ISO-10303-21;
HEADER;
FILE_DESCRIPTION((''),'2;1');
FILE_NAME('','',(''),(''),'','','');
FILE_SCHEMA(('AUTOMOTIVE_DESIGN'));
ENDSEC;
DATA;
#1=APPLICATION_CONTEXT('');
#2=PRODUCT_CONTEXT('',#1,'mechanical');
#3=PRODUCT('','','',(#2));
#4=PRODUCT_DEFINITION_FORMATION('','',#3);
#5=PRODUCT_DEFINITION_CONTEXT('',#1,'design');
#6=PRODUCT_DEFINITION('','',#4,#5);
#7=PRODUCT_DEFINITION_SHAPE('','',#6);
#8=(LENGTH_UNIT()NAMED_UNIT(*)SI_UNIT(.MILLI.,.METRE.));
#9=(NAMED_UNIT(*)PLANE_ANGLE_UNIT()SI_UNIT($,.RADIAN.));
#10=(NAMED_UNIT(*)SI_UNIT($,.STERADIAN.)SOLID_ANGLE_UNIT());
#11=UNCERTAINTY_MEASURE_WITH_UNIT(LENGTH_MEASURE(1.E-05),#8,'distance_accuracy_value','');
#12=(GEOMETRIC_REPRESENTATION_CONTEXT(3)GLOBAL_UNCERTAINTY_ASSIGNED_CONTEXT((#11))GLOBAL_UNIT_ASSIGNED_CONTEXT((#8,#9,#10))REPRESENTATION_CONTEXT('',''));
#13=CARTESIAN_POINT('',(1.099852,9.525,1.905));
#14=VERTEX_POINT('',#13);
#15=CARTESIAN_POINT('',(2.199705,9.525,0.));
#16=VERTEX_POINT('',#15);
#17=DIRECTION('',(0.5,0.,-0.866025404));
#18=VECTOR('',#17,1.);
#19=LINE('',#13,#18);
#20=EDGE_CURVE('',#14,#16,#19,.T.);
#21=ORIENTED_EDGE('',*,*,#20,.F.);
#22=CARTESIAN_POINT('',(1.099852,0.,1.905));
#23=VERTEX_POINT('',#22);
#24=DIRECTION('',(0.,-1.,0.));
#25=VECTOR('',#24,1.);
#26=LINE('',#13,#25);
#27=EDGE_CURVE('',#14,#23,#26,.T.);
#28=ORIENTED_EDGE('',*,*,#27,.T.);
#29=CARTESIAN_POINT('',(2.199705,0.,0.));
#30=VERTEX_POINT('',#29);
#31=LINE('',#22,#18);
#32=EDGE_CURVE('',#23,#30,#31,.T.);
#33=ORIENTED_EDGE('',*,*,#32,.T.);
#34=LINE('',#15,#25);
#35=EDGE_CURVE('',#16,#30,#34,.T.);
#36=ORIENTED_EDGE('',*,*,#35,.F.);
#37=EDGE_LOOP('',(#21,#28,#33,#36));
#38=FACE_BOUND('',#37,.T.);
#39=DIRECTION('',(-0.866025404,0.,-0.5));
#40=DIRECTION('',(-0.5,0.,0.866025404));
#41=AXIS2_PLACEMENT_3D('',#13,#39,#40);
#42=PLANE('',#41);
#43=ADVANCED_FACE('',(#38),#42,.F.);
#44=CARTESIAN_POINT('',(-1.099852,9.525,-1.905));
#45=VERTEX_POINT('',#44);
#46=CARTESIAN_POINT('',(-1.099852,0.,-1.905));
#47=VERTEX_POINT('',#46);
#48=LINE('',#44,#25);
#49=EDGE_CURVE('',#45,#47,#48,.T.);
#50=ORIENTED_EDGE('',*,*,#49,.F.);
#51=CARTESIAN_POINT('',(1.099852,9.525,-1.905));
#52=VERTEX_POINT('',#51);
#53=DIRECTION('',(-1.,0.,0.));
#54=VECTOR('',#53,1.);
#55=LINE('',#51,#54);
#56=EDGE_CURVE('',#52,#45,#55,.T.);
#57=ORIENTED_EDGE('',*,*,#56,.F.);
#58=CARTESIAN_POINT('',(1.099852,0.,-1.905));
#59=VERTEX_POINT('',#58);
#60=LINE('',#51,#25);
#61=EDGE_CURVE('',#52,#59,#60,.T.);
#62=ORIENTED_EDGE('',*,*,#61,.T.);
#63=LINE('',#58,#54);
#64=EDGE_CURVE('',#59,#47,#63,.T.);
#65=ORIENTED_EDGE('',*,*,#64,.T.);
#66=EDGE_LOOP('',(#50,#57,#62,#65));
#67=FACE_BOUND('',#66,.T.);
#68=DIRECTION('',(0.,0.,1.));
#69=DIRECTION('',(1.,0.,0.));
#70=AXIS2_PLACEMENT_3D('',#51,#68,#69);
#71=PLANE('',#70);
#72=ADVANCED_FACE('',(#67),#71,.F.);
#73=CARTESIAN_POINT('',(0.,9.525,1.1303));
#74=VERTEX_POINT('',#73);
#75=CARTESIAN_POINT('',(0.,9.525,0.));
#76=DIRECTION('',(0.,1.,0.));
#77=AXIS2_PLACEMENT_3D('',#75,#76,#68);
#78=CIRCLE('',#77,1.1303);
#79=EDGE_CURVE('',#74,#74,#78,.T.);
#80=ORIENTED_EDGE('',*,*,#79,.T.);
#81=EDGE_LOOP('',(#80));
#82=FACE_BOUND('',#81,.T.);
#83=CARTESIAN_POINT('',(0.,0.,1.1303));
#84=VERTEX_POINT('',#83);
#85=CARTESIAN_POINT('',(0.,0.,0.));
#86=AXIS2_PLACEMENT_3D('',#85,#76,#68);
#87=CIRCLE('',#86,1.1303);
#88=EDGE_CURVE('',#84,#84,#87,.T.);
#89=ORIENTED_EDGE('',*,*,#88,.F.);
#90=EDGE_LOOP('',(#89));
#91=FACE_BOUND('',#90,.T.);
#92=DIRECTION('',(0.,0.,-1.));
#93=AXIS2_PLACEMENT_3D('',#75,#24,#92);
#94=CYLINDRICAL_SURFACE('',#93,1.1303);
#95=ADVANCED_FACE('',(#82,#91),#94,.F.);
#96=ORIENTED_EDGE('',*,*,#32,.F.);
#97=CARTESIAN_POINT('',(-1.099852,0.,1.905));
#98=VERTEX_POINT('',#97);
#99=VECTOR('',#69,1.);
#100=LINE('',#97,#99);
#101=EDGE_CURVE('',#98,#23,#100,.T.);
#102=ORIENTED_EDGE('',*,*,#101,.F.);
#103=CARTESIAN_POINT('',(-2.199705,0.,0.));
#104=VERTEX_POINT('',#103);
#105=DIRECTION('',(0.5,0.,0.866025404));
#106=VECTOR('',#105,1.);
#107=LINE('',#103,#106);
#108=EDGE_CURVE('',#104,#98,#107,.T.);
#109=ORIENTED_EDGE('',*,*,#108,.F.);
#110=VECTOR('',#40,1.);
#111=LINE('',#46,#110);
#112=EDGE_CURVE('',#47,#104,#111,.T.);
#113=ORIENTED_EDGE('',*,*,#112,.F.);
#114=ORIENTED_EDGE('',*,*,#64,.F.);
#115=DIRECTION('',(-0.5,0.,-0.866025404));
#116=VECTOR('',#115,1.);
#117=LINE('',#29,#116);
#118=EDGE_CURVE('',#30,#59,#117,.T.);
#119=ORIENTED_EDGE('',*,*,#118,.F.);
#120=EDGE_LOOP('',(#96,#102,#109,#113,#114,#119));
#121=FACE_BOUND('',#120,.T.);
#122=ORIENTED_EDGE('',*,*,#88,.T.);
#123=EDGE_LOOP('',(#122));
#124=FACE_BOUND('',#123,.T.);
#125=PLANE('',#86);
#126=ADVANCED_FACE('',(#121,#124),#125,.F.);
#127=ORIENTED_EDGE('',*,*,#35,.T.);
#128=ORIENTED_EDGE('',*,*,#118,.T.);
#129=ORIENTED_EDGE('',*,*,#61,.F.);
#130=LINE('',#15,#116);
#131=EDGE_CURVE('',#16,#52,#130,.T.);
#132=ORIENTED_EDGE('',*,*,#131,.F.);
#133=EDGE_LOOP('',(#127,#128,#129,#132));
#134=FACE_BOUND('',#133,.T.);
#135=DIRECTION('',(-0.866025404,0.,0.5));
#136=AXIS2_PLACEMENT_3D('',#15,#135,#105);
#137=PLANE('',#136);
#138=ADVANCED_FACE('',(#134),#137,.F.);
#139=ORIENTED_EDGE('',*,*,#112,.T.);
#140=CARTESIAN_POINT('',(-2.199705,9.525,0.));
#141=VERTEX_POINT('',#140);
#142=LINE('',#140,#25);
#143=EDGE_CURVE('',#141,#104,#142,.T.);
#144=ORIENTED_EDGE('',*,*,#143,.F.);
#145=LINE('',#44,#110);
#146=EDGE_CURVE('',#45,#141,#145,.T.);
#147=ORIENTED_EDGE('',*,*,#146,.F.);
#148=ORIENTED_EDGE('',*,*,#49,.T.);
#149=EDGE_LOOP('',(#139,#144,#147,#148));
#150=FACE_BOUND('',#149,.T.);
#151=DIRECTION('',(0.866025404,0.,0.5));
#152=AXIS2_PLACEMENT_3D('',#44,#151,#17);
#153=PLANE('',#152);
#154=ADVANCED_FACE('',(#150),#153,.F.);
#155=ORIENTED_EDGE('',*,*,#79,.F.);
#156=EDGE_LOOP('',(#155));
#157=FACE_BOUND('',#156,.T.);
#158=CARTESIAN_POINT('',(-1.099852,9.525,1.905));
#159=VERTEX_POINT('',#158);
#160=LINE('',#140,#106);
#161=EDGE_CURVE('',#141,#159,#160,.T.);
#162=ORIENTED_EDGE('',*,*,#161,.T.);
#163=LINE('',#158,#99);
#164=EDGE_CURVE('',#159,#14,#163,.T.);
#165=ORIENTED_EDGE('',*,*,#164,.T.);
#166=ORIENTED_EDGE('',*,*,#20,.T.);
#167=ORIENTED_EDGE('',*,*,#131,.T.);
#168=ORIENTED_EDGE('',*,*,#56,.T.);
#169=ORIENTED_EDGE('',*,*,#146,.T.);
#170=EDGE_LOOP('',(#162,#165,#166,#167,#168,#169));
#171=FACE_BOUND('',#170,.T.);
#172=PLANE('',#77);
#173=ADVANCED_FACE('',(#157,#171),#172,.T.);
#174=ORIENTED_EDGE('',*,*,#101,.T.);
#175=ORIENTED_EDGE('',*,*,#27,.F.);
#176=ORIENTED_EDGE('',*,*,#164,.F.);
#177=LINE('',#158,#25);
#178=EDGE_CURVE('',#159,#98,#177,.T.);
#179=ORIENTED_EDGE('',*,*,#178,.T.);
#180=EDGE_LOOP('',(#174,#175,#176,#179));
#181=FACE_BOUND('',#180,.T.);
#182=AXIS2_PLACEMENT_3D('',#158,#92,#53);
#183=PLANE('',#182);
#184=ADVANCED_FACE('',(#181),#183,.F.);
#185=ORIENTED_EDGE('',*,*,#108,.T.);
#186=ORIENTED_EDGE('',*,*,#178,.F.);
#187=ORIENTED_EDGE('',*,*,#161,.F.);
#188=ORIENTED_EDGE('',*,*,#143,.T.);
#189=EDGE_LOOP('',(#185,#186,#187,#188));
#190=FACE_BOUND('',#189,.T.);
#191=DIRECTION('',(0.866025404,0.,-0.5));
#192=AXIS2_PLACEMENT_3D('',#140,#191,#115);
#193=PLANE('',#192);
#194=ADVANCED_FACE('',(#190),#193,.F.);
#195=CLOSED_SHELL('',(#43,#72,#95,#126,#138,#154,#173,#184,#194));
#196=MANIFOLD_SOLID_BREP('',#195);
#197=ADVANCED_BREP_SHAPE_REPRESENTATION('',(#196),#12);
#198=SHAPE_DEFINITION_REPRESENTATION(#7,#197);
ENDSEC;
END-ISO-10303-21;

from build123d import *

# Parameters (mm, degrees)
SKETCH1_R           = 1.1303
BOSS_EXTRUDE1_DEPTH = 9.525


with BuildPart() as part:
    # Sketch1 → Boss-Extrude1 (new body)
    with BuildSketch(Plane(origin=(0, 0, 0), x_dir=(1, 0, 0), z_dir=(0, 1, 0))):
        Polygon((1.099852263, -1.905), (2.199704526, 0), (1.099852263, 1.905), (-1.099852263, 1.905), (-2.199704526, 0), (-1.099852263, -1.905), align=None)
        Circle(SKETCH1_R, mode=Mode.SUBTRACT)
    extrude(amount=BOSS_EXTRUDE1_DEPTH)


solid = part.part
